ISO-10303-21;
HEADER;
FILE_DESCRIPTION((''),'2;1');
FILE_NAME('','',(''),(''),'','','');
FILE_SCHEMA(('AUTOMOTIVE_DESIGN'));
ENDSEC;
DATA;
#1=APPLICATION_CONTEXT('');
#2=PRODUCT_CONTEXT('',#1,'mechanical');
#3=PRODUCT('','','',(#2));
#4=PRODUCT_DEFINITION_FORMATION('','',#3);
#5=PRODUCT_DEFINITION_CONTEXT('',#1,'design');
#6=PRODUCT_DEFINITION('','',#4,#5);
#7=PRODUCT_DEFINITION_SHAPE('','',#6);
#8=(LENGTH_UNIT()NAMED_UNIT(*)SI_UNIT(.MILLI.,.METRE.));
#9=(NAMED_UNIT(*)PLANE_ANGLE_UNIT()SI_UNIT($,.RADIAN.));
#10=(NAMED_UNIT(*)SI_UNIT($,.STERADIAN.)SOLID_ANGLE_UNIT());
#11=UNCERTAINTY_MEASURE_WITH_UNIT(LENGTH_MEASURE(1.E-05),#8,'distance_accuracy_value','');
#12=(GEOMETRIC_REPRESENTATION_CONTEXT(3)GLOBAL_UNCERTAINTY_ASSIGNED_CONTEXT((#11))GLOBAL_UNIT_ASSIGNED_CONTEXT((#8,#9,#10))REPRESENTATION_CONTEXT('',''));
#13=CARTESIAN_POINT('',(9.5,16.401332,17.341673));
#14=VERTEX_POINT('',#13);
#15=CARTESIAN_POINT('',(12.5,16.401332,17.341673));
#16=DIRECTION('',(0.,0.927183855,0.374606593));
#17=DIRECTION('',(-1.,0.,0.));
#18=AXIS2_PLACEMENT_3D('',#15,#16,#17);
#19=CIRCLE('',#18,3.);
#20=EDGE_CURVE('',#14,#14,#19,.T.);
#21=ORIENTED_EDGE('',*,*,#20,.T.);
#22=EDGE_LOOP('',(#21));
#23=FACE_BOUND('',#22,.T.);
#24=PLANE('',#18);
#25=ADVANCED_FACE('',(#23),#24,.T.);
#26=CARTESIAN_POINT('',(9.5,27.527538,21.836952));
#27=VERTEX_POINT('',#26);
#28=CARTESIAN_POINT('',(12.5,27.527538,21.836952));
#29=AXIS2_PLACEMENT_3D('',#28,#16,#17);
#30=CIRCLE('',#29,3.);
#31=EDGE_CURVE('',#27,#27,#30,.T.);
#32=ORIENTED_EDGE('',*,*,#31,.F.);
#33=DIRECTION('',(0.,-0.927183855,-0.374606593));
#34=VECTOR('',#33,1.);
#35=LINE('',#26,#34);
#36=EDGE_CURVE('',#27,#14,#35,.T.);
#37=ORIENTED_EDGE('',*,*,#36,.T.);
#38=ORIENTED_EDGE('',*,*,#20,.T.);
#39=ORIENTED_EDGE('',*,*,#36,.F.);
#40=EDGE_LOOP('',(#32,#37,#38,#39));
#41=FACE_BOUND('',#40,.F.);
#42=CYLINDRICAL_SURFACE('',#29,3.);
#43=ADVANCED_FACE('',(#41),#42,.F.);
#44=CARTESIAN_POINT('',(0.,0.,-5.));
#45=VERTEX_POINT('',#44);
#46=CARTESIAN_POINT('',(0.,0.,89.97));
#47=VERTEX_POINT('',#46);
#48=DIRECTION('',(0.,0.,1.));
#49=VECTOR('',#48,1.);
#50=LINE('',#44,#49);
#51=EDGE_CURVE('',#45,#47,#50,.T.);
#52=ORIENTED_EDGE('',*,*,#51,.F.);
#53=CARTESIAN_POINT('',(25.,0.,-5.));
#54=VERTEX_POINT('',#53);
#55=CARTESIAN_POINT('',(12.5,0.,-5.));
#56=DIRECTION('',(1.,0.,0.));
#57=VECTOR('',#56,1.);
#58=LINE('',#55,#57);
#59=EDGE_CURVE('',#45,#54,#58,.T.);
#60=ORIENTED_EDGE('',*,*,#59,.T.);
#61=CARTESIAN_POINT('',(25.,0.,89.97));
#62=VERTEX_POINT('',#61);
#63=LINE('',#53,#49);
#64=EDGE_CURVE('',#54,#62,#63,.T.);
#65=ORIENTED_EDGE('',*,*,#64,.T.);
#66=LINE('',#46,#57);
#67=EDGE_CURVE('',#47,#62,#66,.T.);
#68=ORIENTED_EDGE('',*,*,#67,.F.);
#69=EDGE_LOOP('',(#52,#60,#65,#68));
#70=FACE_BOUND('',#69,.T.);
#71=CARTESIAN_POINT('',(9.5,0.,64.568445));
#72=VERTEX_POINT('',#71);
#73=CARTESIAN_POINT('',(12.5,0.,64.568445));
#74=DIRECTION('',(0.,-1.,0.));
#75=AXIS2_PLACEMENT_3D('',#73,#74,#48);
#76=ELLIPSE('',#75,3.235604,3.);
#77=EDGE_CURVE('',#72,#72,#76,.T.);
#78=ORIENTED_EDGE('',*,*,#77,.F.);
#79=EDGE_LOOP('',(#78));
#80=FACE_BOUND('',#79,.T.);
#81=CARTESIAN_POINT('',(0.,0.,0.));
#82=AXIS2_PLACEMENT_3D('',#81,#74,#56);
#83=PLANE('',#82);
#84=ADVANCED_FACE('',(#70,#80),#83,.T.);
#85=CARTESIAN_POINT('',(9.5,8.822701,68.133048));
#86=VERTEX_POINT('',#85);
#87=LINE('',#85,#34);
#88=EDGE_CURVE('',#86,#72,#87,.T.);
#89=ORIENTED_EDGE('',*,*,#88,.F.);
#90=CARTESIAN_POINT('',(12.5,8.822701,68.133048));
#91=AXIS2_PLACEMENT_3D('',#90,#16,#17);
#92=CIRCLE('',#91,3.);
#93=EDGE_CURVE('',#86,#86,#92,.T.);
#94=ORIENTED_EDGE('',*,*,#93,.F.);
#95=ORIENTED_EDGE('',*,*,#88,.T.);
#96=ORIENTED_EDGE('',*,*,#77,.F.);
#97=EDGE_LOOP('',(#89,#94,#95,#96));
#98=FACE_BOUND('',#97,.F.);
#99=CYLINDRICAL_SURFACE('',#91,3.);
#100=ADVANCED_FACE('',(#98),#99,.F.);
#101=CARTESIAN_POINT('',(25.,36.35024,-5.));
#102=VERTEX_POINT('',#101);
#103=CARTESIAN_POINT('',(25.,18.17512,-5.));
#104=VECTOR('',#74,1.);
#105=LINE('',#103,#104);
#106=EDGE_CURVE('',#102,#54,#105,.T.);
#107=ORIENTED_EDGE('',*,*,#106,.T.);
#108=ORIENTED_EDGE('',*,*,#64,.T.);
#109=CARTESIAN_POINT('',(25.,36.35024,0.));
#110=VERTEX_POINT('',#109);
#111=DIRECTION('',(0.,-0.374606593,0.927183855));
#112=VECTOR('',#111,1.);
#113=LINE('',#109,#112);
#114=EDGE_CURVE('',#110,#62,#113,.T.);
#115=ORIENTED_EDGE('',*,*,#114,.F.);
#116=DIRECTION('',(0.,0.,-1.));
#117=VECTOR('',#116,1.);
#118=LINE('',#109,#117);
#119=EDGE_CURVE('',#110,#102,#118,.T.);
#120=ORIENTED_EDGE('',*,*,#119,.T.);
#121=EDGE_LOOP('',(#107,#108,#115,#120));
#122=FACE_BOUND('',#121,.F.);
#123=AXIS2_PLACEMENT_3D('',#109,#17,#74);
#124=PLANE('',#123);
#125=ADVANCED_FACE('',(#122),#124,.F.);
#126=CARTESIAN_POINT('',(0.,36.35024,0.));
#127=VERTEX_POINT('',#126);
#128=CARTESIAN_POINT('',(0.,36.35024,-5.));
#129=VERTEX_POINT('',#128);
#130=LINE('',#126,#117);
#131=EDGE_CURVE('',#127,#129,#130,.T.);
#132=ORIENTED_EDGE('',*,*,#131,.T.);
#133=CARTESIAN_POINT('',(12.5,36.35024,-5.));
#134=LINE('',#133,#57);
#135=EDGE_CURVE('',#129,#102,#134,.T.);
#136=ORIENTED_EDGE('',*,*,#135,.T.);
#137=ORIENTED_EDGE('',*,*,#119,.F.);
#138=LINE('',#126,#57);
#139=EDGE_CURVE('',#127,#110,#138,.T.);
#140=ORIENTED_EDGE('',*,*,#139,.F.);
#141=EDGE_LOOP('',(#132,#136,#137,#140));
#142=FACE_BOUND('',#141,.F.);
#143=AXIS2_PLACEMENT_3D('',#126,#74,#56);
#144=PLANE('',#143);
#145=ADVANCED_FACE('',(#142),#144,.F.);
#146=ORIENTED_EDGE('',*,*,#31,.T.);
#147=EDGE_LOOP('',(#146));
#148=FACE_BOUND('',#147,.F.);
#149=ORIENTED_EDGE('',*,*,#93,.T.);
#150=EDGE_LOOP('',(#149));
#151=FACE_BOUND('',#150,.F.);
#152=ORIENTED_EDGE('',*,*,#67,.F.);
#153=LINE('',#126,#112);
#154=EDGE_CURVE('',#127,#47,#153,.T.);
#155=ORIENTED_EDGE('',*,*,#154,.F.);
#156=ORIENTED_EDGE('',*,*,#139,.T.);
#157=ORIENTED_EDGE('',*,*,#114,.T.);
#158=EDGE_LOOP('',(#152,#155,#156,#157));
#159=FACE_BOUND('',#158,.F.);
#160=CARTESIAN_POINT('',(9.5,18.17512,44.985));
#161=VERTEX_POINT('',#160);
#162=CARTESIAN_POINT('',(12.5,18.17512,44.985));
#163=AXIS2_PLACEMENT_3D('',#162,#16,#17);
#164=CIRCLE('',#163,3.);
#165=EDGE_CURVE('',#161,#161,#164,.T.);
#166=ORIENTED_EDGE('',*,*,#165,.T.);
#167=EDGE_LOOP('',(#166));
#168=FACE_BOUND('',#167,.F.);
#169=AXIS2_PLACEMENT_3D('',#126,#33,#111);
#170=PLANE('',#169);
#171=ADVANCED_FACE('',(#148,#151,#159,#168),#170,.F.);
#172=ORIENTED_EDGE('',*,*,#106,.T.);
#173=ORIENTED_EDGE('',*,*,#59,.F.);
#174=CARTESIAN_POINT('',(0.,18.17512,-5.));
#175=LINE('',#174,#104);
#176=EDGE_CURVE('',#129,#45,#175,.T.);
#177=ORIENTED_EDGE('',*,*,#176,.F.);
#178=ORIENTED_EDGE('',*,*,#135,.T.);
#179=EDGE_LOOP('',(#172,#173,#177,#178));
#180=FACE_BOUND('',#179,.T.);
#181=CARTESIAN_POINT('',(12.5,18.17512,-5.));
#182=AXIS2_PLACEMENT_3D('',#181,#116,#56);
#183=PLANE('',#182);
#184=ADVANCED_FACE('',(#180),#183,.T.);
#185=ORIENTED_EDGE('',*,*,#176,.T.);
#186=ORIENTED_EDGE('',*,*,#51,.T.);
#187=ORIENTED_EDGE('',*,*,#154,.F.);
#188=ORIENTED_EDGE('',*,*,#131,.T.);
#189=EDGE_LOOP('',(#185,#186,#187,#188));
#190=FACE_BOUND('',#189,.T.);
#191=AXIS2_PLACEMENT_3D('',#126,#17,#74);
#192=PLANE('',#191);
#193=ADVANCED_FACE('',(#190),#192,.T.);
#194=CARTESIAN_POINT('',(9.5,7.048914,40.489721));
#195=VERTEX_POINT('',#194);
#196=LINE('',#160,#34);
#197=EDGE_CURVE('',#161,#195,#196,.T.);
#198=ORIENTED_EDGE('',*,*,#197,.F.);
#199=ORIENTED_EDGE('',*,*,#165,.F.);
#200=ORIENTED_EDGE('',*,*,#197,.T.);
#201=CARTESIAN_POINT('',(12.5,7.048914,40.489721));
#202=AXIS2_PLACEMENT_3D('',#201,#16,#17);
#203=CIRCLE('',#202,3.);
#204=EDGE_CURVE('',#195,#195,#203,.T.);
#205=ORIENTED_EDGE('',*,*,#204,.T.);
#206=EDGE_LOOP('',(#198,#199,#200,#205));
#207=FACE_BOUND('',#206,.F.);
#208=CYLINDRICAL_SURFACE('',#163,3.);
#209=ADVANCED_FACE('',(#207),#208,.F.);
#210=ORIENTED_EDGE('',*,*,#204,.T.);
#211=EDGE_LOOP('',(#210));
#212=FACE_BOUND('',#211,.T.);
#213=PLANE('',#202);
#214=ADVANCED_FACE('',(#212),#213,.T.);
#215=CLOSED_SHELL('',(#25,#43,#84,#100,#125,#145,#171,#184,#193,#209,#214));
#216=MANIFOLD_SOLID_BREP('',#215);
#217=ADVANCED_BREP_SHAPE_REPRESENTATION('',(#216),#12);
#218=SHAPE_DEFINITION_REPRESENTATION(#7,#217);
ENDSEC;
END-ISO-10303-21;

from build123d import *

# Parameters (mm, degrees)
F1_DEPTH = 25
F2_W     = 25
F2_H     = 36.3502395384
F3_DEPTH = 5
F4_R     = 3
F5_DEPTH = 12


with BuildPart() as f1:
    # F0 (on Right) → F1 (new body)
    with BuildSketch(Plane.YZ):
        Polygon((0, 89.97), (0, 0), (36.3502395384, 0), align=None)
    extrude(amount=F1_DEPTH)

    # F2 (on face) → F3 (join)
    with BuildSketch(Plane(origin=(0, 0, 0), x_dir=(1, 0, 0), z_dir=(0, 0, -1))):
        with Locations((12.5, -18.1751197692)):
            Rectangle(F2_W, F2_H)
    extrude(amount=F3_DEPTH)

    # F4 (on face) → F5 (cut)
    with BuildSketch(Plane(origin=(0, 31.2492067951, 12.6254990818), x_dir=(-1, 0, 0), z_dir=(0, 0.9271838546, 0.3746065934))):
        with Locations((-12.5, 34.900845996)):
            Circle(F4_R)
        with Locations((-12.5, 59.8668195307)):
            Circle(F4_R)
        with Locations((-12.5, 9.9348724613)):
            Circle(F4_R)
    extrude(amount=-F5_DEPTH, mode=Mode.SUBTRACT)


solid = f1.part
